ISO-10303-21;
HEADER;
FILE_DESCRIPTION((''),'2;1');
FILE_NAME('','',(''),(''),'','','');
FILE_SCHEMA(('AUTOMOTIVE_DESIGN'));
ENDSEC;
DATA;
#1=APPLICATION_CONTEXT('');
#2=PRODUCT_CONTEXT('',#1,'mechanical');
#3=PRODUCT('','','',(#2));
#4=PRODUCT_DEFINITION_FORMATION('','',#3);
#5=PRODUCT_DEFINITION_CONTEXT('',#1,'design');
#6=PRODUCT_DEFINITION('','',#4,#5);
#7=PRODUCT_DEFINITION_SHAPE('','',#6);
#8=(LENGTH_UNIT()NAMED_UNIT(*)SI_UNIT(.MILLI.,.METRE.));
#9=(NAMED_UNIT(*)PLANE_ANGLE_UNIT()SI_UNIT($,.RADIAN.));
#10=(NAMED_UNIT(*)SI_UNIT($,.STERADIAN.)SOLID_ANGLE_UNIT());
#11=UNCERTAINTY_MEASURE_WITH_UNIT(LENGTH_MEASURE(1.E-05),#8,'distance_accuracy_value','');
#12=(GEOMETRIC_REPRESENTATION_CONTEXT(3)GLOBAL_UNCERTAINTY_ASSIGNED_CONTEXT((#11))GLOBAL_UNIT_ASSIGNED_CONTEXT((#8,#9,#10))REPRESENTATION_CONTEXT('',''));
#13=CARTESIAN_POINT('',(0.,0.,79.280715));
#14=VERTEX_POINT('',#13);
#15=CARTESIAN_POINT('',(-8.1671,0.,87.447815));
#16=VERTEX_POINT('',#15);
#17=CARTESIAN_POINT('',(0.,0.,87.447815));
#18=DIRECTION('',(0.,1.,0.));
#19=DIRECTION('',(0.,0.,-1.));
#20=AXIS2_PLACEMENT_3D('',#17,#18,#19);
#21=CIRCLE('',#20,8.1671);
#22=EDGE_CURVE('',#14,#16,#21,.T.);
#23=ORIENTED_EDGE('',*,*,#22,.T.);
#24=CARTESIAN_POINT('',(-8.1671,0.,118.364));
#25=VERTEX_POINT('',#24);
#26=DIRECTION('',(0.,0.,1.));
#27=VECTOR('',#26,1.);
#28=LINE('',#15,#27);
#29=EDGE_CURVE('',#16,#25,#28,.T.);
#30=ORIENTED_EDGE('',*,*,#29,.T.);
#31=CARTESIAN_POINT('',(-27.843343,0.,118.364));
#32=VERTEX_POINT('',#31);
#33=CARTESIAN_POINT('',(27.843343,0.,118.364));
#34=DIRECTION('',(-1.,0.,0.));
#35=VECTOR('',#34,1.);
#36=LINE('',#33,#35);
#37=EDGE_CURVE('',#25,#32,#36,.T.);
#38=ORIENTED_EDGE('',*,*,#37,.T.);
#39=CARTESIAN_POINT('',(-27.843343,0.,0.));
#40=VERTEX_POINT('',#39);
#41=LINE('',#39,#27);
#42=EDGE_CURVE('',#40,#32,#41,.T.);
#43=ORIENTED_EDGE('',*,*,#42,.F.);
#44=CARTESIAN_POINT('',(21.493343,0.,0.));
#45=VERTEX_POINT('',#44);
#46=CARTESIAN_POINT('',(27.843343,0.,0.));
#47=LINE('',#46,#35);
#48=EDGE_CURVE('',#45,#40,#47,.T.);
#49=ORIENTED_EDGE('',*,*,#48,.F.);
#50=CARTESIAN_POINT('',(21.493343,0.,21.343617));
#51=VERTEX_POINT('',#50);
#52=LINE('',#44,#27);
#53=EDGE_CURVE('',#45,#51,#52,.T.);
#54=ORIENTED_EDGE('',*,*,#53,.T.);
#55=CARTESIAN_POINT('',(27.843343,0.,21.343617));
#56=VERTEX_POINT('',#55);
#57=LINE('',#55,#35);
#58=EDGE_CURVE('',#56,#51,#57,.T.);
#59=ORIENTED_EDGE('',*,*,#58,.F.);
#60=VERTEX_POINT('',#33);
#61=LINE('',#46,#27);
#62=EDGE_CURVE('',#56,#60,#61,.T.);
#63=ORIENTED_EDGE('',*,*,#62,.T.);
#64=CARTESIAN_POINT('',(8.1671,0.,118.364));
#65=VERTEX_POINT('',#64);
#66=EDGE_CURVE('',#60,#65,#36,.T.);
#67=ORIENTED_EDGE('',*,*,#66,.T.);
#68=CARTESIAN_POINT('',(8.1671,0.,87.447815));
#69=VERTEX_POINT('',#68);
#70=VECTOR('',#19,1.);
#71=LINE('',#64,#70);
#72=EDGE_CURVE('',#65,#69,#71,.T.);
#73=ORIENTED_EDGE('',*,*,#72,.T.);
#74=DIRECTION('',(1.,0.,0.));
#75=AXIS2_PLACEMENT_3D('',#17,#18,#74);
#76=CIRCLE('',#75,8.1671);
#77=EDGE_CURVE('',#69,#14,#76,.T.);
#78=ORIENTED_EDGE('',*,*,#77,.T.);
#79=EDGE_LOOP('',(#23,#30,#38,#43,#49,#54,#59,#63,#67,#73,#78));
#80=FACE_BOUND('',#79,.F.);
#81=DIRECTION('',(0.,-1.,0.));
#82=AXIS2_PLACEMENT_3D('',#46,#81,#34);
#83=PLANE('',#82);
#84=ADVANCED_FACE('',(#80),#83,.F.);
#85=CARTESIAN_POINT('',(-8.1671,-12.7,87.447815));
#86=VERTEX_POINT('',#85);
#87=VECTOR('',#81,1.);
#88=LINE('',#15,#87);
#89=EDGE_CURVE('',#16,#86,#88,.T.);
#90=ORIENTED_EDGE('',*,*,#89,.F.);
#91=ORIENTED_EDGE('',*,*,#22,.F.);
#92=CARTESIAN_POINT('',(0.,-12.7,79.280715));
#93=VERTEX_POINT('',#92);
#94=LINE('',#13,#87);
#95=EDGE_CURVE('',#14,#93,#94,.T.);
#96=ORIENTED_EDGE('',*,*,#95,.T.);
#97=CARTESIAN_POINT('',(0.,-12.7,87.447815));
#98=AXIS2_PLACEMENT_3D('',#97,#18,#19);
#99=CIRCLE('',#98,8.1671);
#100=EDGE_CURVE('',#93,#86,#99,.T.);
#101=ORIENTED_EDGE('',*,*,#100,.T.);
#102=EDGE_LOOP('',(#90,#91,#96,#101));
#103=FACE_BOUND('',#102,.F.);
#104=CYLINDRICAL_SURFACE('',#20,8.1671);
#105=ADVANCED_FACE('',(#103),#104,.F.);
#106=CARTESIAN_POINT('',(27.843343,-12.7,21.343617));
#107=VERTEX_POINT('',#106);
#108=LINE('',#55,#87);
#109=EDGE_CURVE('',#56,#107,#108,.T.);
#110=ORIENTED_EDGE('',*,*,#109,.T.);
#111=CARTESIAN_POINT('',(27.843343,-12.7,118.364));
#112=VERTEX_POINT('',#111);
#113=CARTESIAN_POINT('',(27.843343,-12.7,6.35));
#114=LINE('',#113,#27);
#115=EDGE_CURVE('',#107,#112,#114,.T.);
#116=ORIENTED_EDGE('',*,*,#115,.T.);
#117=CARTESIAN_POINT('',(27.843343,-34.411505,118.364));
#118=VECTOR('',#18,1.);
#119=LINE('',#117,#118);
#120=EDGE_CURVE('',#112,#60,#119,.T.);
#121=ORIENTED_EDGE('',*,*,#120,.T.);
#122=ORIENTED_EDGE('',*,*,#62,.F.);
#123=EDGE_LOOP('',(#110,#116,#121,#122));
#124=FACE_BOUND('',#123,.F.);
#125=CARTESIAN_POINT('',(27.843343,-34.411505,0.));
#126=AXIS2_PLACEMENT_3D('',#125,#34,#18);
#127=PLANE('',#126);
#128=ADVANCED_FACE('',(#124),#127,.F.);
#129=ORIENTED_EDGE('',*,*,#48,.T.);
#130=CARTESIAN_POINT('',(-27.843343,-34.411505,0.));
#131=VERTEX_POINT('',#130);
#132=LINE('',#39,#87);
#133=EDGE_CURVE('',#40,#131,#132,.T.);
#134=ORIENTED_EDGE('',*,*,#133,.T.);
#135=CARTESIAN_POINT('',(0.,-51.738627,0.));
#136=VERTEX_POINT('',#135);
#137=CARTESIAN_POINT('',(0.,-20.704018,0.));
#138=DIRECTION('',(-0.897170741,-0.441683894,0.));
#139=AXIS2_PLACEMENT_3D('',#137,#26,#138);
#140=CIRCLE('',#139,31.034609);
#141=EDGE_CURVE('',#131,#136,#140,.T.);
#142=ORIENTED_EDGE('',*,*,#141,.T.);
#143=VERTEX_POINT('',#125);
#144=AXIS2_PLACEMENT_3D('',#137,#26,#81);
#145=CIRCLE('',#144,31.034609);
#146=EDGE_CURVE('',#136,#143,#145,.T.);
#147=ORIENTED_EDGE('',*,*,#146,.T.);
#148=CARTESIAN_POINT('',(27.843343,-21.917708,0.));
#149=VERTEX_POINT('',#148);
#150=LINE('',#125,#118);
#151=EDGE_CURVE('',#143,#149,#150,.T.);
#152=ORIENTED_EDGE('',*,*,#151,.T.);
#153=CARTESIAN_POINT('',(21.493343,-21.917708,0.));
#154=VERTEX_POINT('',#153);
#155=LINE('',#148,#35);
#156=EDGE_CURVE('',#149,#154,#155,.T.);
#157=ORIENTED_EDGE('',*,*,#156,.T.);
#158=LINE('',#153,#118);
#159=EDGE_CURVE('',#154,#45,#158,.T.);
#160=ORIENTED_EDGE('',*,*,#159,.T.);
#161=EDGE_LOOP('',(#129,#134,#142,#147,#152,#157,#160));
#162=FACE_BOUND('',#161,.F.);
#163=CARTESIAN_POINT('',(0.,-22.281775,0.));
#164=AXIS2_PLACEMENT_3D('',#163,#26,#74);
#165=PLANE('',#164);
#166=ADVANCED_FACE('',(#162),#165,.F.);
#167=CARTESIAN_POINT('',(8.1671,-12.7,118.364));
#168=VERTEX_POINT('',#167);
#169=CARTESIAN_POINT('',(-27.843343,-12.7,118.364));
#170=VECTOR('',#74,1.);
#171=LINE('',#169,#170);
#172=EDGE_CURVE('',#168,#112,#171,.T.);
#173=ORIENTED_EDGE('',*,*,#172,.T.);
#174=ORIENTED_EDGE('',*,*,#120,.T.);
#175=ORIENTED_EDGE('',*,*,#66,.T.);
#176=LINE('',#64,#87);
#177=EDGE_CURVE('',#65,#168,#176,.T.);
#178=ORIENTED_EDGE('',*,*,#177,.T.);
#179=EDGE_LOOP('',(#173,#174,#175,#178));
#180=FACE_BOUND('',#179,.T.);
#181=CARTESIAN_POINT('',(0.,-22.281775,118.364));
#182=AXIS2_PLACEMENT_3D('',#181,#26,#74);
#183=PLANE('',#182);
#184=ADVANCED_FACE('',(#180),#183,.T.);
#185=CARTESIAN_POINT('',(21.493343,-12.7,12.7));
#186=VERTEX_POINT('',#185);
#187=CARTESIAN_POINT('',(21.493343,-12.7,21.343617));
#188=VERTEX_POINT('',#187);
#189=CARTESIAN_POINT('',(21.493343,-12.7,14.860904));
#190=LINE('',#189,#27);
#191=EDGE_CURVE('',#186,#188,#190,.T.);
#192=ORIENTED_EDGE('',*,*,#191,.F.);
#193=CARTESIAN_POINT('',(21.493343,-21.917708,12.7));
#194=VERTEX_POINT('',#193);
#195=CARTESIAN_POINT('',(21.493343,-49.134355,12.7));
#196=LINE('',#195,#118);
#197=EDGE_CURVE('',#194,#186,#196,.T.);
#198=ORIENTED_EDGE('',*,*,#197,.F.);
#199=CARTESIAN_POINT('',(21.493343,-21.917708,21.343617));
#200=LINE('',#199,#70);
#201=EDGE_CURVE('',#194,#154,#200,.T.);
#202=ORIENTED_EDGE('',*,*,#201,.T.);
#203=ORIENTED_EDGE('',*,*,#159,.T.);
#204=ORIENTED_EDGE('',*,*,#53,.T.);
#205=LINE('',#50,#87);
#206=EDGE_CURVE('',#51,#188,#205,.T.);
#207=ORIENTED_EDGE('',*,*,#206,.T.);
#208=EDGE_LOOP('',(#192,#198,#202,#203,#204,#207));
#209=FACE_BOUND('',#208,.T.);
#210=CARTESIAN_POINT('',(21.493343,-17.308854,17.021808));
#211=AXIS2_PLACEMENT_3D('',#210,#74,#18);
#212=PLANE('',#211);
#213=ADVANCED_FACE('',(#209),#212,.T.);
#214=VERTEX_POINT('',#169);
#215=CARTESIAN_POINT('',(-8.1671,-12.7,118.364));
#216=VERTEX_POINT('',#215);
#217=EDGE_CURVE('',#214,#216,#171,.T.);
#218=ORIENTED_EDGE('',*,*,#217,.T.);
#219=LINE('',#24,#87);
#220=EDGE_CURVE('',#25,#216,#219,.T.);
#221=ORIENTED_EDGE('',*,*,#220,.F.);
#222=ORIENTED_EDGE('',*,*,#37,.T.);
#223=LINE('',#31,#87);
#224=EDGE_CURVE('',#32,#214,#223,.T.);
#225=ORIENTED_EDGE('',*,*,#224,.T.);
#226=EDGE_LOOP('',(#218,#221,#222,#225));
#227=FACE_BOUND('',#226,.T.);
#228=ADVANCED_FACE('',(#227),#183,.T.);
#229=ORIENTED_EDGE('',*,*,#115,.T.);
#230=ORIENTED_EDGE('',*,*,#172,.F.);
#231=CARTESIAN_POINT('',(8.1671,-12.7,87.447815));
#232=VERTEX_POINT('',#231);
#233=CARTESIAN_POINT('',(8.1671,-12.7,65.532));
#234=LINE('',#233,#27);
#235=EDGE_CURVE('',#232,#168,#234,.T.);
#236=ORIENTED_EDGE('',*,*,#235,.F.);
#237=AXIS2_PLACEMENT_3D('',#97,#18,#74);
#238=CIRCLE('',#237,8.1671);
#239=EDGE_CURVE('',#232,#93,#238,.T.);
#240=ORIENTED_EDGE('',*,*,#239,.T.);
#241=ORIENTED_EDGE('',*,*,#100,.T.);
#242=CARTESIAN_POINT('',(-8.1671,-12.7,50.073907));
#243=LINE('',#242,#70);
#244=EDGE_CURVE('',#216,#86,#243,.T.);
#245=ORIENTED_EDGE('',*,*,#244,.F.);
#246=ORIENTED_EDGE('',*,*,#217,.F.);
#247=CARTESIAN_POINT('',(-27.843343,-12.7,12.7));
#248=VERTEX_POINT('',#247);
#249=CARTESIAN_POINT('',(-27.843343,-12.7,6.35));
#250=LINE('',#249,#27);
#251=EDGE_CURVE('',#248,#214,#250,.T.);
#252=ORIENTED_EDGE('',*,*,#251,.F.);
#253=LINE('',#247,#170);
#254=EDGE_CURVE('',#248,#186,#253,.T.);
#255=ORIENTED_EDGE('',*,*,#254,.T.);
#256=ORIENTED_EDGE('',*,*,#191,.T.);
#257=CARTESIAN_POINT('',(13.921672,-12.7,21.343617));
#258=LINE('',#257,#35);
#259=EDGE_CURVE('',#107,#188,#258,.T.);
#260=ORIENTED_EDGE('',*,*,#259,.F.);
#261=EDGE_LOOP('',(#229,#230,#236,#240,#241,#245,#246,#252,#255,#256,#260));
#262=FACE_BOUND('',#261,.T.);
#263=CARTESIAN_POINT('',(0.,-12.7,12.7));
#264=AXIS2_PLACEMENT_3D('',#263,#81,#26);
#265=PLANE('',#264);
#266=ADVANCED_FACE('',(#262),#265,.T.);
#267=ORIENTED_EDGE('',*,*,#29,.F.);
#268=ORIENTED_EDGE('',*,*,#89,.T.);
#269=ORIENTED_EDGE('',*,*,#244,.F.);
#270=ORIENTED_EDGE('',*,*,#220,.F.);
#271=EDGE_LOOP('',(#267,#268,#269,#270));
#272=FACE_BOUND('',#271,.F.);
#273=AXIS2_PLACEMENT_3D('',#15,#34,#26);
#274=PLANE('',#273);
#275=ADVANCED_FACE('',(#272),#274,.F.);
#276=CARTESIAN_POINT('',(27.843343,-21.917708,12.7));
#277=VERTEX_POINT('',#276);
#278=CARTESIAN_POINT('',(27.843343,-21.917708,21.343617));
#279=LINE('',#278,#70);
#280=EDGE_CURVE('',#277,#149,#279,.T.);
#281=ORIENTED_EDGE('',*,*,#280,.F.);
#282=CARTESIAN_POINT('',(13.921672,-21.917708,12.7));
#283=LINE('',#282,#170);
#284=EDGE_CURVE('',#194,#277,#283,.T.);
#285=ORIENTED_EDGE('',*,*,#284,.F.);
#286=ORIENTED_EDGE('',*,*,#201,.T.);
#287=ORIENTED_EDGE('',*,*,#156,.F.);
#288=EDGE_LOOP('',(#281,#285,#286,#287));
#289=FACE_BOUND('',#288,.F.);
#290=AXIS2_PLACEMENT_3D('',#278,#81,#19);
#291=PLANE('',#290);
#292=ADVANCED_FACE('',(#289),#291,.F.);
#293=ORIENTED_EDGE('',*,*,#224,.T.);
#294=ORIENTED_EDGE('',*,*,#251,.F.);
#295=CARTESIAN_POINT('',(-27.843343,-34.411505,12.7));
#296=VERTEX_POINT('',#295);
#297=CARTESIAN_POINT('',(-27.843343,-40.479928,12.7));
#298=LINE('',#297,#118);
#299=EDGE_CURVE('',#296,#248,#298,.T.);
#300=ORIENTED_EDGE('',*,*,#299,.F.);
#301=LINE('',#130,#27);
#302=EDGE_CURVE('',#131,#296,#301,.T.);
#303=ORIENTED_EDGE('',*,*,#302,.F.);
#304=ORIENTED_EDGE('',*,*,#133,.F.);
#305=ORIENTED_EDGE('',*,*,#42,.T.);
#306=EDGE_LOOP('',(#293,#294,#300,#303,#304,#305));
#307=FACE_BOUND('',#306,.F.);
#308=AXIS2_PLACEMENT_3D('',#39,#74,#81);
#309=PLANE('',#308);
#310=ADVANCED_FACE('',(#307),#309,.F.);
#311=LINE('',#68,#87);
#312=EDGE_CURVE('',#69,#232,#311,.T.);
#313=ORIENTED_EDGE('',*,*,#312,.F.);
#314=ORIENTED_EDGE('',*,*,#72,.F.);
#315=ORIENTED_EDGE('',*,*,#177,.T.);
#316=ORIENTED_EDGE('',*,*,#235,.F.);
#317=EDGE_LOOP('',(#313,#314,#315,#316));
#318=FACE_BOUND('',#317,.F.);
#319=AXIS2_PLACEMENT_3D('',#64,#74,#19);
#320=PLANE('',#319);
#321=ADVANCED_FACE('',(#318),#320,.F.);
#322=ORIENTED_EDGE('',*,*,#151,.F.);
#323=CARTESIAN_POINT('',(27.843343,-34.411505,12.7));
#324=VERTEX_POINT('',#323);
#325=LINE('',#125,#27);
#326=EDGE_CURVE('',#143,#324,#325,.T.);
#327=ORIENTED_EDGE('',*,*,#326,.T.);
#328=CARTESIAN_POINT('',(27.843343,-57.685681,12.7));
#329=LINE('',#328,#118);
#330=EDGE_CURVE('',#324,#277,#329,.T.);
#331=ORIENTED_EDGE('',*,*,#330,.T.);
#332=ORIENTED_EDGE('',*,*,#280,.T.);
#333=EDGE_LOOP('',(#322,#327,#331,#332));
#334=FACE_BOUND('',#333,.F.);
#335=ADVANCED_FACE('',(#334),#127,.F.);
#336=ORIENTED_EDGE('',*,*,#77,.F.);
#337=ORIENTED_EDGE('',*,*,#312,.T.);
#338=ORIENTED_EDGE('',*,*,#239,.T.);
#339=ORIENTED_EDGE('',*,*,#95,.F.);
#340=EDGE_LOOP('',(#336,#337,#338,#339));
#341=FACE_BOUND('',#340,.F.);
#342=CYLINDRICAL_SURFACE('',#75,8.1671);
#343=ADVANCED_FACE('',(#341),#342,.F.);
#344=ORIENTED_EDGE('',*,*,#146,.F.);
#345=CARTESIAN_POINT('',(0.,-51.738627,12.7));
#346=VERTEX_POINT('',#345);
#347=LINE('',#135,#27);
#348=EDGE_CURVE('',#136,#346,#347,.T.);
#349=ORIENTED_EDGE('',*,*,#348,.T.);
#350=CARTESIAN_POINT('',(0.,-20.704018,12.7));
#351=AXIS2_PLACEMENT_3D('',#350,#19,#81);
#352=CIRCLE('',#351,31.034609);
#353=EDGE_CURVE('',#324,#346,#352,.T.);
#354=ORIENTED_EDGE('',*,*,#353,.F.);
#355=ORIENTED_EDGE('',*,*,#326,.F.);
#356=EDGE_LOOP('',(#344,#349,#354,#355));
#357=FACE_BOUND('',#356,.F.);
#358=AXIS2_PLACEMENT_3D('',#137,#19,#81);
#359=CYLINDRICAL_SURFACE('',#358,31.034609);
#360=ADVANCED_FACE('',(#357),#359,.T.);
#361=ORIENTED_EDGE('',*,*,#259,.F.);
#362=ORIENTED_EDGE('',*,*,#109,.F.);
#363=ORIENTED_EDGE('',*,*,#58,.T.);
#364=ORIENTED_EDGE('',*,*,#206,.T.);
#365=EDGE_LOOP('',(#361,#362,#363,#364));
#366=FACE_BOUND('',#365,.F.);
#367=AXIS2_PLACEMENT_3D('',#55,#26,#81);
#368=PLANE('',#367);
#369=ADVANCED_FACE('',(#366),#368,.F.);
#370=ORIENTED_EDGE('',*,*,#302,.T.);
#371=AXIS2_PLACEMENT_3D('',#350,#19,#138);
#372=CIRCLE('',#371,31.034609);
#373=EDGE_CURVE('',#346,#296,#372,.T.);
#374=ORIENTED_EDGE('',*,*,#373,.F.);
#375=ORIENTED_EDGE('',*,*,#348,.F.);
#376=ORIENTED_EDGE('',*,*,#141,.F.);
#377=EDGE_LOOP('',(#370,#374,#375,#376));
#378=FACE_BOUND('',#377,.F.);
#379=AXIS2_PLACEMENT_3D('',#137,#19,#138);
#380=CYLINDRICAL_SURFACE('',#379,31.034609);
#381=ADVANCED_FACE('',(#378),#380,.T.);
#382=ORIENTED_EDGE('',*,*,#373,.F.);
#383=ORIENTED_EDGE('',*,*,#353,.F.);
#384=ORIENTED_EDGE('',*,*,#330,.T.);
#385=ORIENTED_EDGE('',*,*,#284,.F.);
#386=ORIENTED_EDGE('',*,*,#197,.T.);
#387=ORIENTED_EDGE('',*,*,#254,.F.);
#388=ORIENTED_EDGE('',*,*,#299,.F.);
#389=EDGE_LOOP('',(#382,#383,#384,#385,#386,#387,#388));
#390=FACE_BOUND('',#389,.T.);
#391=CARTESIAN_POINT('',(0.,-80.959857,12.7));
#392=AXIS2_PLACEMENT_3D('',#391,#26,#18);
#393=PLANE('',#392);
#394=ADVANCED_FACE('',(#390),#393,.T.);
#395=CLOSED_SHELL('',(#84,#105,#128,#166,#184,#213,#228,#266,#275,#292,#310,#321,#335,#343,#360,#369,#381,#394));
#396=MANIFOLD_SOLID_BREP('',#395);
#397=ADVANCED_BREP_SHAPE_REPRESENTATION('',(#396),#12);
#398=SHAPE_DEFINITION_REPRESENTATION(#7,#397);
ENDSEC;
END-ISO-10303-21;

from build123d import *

# Parameters (mm, degrees)
F1_DEPTH      = 118.364
F2_W          = 68.2598565102
F2_H          = 105.664
F3_DEPTH      = 27.844343094
F3_DEPTH_BACK = 27.844343094
F4_W          = 9.2177082181
F4_H          = 8.6436167687
F5_DEPTH      = 6.35
F7_DEPTH      = 51.7396268929


with BuildPart() as f1:
    # F0 (on Top) → F1 (new body)
    with BuildSketch(Plane.XY):
        with BuildLine():
            Line((27.843343094, 0), (0, 0))
            Line((0, 0), (-27.843343094, 0))
            Line((-27.843343094, 0), (-27.843343094, -34.4115048647))
            ThreePointArc((-27.843343094, -34.4115048647), (-16.3972628236, -47.053149323), (0, -51.7386268929))
            ThreePointArc((0, -51.7386268929), (16.3972628236, -47.053149323), (27.843343094, -34.4115048647))
            Line((27.843343094, -34.4115048647), (27.843343094, 0))
        make_face()
    extrude(amount=F1_DEPTH)

    # F2 (on Right) → F3 (cut, two sides)
    with BuildSketch(Plane.YZ) as f3_sk:
        with Locations((-46.8299282551, 65.532)):
            Rectangle(F2_W, F2_H)
    extrude(amount=-F3_DEPTH, mode=Mode.SUBTRACT)
    extrude(f3_sk.sketch, amount=F3_DEPTH_BACK, mode=Mode.SUBTRACT)

    # F4 (on face) → F5 (cut)
    with BuildSketch(Plane.YZ.offset(27.843343094)):
        with Locations((-17.308854109, 17.0218083844)):
            Rectangle(F4_W, F4_H)
        Polygon((-21.9177082181, 0), (0, 0), (0, 21.3436167687), (-12.7, 21.3436167687), (-12.7, 12.7), (-21.9177082181, 12.7), align=None)
    extrude(amount=-F5_DEPTH, mode=Mode.SUBTRACT)

    # F6 (on face) → F7 (cut, through all)
    with BuildSketch(Plane(origin=(0, 0, 0), x_dir=(-1, 0, 0), z_dir=(0, 1, 0))):
        with BuildLine():
            Line((8.167100139, 118.364), (0, 118.364))
            Line((0, 118.364), (-8.167100139, 118.364))
            Line((-8.167100139, 118.364), (-8.167100139, 87.4478146434))
            ThreePointArc((-8.167100139, 87.4478146434), (-5.7750118909, 81.6728027525), (0, 79.2807145044))
            ThreePointArc((0, 79.2807145044), (5.7750118909, 81.6728027525), (8.167100139, 87.4478146434))
            Line((8.167100139, 87.4478146434), (8.167100139, 118.364))
        make_face()
    extrude(amount=-F7_DEPTH, mode=Mode.SUBTRACT)


solid = f1.part
